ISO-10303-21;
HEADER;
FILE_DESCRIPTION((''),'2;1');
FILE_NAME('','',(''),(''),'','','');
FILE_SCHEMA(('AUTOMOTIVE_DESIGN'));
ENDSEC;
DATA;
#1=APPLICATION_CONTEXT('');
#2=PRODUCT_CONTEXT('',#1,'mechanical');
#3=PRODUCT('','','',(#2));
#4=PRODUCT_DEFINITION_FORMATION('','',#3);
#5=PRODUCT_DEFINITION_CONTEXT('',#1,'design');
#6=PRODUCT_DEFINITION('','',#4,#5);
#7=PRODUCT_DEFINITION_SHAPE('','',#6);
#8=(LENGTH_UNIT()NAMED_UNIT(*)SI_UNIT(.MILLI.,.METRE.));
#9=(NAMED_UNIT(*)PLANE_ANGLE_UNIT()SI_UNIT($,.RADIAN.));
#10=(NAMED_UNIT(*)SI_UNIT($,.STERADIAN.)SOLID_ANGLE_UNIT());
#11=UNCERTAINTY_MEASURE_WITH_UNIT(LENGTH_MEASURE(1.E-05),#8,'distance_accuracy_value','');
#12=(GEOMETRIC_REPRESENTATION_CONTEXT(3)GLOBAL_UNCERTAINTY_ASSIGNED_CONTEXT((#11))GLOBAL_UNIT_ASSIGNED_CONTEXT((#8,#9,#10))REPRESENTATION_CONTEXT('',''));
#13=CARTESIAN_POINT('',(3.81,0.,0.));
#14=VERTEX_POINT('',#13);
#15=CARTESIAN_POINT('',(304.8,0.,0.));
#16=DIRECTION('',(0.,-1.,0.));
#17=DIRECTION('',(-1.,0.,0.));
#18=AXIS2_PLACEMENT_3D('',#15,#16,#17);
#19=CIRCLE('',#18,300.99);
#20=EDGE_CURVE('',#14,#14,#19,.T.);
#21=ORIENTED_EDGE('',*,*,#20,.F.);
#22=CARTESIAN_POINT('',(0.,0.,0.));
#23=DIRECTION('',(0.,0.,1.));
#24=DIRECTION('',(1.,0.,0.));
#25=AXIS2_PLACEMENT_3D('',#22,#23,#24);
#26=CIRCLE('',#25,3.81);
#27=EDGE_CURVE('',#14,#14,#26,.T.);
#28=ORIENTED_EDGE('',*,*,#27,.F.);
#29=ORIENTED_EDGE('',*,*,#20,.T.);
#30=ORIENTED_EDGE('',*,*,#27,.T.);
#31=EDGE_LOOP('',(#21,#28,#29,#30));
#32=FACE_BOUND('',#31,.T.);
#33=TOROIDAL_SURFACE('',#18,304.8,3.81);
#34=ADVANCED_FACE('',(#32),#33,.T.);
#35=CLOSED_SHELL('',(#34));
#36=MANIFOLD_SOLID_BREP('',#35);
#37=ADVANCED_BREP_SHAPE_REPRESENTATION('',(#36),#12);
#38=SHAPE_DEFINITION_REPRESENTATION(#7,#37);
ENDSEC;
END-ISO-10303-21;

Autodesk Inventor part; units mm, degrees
ref_plane "YZ Plane" through (0, 0, 0) normal (1, 0, 0) x (0, 1, 0)
ref_plane "XZ Plane" through (0, 0, 0) normal (0, 1, 0) x (-1, 0, 0)
ref_plane "XY Plane" through (0, 0, 0) normal (0, 0, 1) x (1, 0, 0)
sketch "Sketch1" plane through (0, 0, 0) normal (0, 0, 1) x (1, 0, 0)
  circle A0 centre (0, 0) radius 3.81
  line L0 (304.8, 3.81) -> (304.8, -3.81) construction
  dimension "d0" = 7.62
  dimension "d1" = 304.8
revolve "Revolution1" add sketch "Sketch1" angle 360 about axis through (304.8, 3.81, 0) along (0, -1, 0)
properties part number "2h5rbc" material "Steel, Mild"
